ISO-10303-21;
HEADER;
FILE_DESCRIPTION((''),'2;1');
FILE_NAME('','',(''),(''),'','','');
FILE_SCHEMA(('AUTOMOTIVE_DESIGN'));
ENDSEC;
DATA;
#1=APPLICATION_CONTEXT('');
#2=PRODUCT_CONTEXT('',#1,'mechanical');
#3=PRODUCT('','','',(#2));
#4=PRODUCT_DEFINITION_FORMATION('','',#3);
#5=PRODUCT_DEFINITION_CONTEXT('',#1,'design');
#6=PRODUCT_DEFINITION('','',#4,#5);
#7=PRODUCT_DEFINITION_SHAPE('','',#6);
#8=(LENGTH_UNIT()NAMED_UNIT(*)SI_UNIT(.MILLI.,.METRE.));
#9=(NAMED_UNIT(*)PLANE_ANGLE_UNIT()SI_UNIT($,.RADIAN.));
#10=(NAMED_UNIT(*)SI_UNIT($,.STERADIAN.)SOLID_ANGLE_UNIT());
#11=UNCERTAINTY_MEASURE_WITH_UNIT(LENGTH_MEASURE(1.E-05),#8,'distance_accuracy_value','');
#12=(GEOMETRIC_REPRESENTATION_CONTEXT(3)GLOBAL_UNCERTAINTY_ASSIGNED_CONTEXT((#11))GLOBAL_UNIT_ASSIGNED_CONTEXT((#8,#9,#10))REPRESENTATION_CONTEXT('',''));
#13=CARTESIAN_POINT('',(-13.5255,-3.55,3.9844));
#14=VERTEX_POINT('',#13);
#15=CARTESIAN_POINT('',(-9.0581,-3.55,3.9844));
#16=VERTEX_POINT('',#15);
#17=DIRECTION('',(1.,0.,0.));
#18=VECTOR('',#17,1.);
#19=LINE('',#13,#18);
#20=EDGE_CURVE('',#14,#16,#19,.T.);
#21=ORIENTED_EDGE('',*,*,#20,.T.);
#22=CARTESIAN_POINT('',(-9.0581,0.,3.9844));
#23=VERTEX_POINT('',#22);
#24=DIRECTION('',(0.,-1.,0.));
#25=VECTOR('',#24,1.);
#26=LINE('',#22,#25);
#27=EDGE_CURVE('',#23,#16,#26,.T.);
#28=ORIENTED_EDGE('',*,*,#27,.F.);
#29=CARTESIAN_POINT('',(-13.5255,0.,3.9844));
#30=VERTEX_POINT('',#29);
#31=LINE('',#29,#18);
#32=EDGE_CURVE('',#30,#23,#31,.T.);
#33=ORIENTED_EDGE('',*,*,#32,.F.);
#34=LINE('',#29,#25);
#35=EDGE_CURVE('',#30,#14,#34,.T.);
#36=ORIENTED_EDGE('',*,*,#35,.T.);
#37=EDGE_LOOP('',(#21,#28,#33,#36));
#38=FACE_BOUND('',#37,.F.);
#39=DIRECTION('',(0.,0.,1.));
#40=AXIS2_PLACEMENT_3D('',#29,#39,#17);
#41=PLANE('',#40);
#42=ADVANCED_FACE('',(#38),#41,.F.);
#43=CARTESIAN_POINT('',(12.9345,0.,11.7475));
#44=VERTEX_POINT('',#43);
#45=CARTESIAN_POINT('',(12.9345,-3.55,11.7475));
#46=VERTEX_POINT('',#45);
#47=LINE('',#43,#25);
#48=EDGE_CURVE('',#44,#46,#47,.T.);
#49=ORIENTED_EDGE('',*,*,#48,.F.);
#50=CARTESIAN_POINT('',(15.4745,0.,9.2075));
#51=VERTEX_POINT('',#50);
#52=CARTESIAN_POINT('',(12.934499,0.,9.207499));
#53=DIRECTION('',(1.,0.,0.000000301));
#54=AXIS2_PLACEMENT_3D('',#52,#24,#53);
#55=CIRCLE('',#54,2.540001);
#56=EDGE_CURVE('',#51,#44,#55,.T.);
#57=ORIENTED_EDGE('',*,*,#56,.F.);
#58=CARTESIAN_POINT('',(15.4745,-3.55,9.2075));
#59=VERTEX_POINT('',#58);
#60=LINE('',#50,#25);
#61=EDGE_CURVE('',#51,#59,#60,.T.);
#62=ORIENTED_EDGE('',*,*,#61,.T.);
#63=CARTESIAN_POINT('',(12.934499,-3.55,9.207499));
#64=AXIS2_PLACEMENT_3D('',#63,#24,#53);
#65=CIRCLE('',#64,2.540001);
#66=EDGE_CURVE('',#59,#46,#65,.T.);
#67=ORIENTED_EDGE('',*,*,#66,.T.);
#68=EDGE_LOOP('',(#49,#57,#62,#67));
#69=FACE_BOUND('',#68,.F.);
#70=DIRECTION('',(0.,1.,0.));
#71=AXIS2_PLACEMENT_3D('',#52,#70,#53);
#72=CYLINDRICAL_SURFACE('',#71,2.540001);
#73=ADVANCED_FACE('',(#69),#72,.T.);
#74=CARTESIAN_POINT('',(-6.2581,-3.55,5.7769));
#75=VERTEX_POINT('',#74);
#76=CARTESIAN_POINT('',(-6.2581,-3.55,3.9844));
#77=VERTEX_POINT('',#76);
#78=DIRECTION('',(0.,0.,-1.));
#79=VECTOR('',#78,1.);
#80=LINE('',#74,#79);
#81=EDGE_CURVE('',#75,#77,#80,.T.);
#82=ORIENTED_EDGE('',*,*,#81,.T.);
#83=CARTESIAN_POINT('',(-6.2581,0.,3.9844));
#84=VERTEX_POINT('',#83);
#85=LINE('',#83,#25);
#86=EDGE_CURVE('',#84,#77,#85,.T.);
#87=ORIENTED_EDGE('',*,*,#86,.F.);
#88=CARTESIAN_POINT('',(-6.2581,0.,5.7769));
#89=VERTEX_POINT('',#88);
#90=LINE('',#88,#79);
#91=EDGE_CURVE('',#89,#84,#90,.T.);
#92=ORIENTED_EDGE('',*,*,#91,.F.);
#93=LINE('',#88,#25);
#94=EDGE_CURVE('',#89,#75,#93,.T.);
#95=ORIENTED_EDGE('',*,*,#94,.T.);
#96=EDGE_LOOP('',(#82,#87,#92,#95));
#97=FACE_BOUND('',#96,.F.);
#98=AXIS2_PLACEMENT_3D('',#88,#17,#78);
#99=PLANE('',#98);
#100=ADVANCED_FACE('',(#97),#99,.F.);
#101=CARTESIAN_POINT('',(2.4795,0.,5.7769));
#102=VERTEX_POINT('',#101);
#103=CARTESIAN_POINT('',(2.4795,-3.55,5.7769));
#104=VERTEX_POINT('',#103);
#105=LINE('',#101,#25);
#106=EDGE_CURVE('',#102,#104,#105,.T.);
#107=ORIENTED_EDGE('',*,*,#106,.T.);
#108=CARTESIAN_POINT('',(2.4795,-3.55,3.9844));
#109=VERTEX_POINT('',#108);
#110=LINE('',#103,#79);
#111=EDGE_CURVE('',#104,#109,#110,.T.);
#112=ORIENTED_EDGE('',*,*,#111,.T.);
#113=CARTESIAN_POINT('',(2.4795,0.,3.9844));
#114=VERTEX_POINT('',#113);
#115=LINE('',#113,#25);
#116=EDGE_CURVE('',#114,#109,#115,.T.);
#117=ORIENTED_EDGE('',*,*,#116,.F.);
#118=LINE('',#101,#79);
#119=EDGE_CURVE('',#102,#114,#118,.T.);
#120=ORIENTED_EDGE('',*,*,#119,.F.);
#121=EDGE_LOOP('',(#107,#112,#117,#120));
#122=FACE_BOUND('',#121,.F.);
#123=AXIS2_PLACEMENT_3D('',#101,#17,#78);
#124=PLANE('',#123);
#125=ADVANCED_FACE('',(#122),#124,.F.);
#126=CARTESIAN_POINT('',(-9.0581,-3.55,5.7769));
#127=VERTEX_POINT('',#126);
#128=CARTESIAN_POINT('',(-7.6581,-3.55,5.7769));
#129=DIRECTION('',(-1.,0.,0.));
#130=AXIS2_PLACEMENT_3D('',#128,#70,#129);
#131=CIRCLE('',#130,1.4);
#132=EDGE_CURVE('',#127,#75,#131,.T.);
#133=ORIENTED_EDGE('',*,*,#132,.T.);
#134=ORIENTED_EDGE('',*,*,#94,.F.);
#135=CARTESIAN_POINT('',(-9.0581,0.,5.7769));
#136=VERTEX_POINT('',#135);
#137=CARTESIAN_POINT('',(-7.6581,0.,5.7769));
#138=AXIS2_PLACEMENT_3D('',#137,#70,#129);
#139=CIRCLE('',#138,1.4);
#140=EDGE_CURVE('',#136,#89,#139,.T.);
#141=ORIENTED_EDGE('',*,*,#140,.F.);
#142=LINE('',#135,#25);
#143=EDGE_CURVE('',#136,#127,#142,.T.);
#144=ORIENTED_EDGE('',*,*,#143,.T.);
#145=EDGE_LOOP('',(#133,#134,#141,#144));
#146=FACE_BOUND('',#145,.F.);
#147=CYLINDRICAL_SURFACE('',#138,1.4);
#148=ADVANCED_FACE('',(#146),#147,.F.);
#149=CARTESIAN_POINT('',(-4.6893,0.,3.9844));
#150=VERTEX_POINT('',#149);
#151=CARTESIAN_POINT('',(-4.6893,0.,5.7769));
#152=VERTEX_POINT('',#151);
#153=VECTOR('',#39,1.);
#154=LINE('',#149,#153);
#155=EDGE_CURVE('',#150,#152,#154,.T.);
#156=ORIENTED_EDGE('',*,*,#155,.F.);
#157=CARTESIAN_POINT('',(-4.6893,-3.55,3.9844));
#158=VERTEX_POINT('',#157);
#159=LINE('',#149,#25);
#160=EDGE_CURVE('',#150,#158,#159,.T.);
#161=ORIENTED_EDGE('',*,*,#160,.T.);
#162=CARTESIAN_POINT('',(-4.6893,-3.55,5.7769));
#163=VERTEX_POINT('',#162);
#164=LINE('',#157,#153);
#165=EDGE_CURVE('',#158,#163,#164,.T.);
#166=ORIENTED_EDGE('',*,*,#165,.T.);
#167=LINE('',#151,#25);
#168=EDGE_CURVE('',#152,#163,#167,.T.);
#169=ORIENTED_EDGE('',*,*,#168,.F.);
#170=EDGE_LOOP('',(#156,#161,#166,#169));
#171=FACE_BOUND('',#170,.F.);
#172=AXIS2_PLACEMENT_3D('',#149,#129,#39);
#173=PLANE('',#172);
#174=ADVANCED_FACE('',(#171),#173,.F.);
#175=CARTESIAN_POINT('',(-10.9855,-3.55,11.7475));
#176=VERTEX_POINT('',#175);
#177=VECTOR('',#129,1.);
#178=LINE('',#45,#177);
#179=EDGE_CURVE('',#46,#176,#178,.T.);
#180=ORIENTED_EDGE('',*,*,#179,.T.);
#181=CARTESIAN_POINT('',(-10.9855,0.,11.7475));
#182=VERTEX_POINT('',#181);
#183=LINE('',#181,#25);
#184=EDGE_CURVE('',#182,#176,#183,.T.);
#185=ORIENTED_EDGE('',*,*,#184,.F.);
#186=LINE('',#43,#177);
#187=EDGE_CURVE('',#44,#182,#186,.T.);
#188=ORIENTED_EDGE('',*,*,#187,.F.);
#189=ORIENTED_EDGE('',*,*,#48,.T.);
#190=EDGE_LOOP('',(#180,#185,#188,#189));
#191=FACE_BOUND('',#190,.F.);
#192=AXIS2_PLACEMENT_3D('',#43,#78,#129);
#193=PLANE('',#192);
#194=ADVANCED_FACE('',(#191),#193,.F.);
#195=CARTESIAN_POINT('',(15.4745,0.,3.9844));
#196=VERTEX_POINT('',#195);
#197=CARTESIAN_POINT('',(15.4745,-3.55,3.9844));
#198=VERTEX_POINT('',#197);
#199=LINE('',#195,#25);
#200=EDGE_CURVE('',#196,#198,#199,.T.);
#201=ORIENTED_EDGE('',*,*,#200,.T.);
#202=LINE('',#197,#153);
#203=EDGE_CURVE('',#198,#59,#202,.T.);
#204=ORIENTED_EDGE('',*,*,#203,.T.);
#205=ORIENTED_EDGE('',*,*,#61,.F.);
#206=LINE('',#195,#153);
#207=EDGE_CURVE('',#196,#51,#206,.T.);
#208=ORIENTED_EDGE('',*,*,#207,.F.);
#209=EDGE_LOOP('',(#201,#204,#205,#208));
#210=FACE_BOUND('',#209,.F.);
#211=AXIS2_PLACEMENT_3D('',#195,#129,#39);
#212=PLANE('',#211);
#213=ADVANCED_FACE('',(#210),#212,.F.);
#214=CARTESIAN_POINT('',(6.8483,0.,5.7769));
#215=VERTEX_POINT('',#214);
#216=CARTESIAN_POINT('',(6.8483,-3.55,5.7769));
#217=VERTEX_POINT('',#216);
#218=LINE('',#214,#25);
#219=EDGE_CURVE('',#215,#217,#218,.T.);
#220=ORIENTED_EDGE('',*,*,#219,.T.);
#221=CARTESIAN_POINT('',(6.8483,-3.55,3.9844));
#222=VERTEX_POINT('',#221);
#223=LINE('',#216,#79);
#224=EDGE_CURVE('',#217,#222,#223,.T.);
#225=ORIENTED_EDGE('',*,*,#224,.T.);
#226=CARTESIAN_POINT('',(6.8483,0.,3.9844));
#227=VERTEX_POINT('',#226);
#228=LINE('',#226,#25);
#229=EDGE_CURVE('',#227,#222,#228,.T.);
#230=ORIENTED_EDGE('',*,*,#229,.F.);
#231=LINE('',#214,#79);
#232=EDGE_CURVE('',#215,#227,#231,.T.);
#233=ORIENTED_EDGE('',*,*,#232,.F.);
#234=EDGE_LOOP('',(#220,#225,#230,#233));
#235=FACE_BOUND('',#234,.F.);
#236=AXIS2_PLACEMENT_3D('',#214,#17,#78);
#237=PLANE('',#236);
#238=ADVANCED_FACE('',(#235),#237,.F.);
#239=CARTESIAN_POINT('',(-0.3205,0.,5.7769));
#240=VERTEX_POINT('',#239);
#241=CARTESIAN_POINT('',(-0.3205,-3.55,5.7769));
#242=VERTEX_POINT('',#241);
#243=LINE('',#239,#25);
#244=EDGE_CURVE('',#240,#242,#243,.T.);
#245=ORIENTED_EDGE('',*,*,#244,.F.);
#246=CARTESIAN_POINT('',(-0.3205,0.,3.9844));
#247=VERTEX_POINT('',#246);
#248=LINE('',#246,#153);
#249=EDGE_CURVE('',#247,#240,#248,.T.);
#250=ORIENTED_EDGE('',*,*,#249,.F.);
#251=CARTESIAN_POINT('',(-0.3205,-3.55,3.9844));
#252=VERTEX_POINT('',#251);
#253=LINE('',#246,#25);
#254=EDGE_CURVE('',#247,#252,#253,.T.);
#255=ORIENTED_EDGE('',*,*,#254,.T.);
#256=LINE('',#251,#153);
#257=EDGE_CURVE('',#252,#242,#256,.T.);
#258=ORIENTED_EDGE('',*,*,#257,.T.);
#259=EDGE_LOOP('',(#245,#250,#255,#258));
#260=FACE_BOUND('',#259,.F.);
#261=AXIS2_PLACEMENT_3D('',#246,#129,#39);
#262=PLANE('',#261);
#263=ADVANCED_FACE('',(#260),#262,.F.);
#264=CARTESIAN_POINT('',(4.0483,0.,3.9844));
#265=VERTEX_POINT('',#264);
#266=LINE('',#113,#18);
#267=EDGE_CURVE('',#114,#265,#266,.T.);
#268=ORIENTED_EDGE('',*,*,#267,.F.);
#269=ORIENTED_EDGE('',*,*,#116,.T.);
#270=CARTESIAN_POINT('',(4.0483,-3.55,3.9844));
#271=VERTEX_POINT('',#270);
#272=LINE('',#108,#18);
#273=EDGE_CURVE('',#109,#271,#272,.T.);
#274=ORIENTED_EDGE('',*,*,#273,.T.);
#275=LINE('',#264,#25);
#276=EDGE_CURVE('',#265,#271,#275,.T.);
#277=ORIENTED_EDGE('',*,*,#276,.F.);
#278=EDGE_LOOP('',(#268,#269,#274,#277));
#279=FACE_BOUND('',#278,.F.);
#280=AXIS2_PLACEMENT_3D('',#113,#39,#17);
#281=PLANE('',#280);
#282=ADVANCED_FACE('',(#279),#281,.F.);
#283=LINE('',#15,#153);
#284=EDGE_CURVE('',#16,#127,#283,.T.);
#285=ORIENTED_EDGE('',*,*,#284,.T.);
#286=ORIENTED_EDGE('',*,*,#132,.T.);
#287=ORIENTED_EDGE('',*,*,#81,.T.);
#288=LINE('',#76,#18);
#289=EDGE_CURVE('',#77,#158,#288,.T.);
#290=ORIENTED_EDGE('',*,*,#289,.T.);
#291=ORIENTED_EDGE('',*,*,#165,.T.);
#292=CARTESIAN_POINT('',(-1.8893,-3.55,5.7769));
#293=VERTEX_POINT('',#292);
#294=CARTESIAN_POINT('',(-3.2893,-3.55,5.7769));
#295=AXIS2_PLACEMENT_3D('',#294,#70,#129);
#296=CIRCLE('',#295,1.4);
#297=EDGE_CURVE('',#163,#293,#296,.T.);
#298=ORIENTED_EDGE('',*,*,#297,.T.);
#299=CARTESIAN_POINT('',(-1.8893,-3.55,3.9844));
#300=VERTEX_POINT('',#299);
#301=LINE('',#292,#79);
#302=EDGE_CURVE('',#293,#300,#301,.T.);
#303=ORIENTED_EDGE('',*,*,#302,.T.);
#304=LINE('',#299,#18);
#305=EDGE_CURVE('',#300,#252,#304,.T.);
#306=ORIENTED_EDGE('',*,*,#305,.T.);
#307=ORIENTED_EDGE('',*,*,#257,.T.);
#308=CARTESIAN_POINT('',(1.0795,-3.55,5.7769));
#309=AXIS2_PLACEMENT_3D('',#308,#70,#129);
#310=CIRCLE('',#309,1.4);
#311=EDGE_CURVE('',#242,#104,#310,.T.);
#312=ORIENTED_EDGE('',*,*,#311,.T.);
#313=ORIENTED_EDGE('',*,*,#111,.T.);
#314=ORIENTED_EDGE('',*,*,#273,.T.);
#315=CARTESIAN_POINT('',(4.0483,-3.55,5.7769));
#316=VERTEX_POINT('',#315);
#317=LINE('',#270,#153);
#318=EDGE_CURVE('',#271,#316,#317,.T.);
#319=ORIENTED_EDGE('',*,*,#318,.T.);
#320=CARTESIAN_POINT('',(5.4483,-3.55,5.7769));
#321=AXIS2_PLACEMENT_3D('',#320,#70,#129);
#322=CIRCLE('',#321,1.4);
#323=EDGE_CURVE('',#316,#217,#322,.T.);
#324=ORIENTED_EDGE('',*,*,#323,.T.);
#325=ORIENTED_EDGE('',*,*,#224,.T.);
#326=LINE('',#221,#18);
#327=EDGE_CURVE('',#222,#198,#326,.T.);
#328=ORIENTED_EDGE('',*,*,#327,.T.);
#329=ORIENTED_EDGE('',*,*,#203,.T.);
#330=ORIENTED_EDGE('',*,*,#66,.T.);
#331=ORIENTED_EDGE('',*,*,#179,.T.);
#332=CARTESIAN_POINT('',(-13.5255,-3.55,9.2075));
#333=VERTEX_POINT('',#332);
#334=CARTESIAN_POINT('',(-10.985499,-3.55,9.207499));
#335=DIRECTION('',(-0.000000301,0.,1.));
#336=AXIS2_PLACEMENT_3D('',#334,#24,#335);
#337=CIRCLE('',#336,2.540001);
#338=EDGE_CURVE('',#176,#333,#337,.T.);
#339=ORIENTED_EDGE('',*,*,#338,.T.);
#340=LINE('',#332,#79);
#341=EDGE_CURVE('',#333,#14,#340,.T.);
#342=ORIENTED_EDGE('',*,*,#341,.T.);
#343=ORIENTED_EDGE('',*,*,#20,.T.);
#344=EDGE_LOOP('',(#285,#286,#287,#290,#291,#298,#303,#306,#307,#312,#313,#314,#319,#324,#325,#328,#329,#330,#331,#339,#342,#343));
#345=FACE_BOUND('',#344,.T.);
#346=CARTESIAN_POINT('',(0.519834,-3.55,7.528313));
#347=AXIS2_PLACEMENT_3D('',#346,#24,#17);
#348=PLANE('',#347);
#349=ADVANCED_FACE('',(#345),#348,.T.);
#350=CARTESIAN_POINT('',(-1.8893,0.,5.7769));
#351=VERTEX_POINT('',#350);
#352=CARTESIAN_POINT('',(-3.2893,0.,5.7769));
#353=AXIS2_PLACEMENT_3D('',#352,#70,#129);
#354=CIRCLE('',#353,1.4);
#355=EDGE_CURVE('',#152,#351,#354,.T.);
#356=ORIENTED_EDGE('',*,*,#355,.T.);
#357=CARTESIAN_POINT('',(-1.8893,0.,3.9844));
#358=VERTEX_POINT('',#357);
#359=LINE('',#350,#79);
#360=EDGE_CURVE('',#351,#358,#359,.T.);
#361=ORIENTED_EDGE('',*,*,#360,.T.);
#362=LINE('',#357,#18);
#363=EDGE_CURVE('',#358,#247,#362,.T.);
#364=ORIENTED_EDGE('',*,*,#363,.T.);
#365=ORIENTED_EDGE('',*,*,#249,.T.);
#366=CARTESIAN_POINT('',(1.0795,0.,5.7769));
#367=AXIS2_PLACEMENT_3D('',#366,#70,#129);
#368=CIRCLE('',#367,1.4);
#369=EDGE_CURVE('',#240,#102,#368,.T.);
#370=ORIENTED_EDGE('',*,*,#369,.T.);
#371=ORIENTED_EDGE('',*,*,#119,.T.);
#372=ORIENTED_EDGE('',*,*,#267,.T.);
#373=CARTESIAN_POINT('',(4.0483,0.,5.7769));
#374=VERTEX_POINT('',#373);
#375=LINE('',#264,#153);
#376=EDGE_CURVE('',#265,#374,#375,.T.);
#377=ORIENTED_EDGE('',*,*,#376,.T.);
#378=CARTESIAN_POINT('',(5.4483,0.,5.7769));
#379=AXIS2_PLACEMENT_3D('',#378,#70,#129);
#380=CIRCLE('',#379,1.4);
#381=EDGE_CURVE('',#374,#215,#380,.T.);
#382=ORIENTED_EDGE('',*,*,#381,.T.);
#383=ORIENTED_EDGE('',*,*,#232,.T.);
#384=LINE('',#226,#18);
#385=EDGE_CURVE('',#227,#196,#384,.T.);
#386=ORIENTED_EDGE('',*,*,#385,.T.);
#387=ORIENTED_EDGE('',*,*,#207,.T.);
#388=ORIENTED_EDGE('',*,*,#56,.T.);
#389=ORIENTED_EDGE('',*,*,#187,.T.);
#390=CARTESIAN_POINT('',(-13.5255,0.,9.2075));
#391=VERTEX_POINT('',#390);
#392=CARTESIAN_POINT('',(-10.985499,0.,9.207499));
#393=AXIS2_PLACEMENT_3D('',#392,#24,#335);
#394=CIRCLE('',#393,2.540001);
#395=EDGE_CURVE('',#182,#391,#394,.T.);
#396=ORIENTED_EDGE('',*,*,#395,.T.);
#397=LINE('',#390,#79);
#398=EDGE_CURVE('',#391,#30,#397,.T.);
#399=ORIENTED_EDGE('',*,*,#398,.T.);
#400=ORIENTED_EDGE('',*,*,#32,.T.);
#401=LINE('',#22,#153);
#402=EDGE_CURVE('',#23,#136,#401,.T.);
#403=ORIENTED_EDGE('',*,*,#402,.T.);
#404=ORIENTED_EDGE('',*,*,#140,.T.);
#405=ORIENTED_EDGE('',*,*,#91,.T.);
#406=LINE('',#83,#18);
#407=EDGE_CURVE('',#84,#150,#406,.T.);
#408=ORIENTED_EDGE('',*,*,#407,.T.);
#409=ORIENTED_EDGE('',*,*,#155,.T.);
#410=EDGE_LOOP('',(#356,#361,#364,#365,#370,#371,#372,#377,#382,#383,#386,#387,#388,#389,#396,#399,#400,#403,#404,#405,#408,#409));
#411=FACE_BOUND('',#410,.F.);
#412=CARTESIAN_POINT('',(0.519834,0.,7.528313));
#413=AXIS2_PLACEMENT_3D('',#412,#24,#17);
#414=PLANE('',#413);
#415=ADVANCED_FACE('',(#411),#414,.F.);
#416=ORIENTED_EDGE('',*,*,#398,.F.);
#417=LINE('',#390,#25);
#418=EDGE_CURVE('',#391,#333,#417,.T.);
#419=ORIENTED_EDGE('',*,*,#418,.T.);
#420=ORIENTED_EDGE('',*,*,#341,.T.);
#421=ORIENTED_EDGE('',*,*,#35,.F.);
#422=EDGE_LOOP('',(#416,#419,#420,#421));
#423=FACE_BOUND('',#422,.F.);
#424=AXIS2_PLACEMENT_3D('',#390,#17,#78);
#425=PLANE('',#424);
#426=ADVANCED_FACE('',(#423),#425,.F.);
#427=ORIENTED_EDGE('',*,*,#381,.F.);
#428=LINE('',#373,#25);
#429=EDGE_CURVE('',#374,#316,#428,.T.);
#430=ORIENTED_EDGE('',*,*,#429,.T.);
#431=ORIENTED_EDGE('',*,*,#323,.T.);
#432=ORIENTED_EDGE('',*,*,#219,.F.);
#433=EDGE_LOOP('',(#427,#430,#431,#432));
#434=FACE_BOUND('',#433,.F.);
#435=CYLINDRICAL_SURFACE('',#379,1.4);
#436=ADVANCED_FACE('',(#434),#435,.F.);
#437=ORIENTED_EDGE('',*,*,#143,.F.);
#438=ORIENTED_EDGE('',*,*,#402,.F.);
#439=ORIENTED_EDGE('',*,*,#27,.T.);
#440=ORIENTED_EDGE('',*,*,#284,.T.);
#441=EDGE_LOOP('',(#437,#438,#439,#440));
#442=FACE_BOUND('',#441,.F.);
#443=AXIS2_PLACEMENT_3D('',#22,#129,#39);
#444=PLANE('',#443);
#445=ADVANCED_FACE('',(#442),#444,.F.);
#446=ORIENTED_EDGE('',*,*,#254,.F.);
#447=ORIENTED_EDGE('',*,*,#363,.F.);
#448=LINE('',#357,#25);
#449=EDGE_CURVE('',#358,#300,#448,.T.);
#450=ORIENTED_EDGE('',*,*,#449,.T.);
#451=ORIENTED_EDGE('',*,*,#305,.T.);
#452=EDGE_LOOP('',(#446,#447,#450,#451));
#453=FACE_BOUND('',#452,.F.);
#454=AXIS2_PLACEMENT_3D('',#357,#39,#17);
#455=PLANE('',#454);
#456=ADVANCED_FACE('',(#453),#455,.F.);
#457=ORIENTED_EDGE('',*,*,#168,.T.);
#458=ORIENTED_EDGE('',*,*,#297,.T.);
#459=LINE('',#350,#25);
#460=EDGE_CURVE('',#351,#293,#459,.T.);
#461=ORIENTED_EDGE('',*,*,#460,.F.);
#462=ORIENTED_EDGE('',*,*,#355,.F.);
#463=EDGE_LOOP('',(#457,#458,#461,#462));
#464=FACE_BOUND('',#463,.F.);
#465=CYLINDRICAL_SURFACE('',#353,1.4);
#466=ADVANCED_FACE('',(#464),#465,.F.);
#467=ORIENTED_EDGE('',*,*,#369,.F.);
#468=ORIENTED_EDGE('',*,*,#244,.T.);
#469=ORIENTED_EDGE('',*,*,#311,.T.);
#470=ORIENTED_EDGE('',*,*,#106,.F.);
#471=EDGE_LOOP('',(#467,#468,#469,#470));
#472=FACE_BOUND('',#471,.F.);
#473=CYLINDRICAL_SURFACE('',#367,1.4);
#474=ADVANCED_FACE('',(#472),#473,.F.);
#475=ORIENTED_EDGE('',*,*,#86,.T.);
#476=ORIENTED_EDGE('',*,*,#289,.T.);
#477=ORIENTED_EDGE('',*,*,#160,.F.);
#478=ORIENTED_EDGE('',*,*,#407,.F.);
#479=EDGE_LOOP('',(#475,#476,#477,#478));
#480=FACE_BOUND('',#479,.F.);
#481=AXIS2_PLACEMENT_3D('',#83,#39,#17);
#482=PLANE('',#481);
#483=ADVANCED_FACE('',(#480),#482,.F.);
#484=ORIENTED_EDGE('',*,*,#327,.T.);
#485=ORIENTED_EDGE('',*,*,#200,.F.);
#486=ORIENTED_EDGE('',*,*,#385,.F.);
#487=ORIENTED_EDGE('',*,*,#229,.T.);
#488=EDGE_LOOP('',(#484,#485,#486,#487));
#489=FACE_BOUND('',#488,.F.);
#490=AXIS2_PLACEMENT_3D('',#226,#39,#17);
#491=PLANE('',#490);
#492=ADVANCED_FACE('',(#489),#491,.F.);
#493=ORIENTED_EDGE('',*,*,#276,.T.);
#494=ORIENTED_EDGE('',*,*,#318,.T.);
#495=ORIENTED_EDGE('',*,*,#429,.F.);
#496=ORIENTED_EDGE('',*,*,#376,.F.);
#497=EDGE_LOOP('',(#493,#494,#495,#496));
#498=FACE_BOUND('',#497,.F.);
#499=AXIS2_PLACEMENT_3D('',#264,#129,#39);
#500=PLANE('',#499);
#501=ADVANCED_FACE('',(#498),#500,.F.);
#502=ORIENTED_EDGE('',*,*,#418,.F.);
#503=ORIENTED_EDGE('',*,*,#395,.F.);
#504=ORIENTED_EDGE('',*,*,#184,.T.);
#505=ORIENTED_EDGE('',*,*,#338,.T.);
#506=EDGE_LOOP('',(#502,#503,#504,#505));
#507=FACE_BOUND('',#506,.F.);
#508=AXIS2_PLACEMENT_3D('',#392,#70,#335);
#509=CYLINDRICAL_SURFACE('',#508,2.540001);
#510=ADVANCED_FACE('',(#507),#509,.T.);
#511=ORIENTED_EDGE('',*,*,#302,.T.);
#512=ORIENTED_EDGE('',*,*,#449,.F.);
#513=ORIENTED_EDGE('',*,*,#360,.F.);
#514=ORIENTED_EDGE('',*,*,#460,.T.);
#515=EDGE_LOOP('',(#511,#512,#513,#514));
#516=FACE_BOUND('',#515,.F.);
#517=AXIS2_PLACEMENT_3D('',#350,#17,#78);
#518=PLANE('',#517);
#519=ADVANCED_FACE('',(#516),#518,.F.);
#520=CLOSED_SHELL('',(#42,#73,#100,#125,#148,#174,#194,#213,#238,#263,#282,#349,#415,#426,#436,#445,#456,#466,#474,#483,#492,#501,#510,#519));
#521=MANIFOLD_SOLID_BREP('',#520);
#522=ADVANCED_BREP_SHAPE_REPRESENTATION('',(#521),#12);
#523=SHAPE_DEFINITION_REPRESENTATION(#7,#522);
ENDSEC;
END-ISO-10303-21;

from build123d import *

# Parameters (mm, degrees)
F1_DEPTH = 3.55


with BuildPart() as f1:
    # F0 (on Front) → F1 (new body)
    with BuildSketch(Plane.XZ):
        with BuildLine():
            Line((12.9345, 11.7475), (-10.9855, 11.7475))
            ThreePointArc((-10.9855, 11.7475), (-12.781551, 11.003551), (-13.5255, 9.2075))
            Line((-13.5255, 9.2075), (-13.5255, 3.9844))
            Line((-13.5255, 3.9844), (-9.0581, 3.9844))
            Line((-9.0581, 3.9844), (-9.0581, 5.7769))
            ThreePointArc((-9.0581, 5.7769), (-7.6581, 7.1769), (-6.2581, 5.7769))
            Line((-6.2581, 5.7769), (-6.2581, 3.9844))
            Line((-6.2581, 3.9844), (-4.6893, 3.9844))
            Line((-4.6893, 3.9844), (-4.6893, 5.7769))
            ThreePointArc((-4.6893, 5.7769), (-3.2893, 7.1769), (-1.8893, 5.7769))
            Line((-1.8893, 5.7769), (-1.8893, 3.9844))
            Line((-1.8893, 3.9844), (-0.3205, 3.9844))
            Line((-0.3205, 3.9844), (-0.3205, 5.7769))
            ThreePointArc((-0.3205, 5.7769), (1.0795, 7.1769), (2.4795, 5.7769))
            Line((2.4795, 5.7769), (2.4795, 3.9844))
            Line((2.4795, 3.9844), (4.0483, 3.9844))
            Line((4.0483, 3.9844), (4.0483, 5.7769))
            ThreePointArc((4.0483, 5.7769), (5.4483, 7.1769), (6.8483, 5.7769))
            Line((6.8483, 5.7769), (6.8483, 3.9844))
            Line((6.8483, 3.9844), (15.4745, 3.9844))
            Line((15.4745, 3.9844), (15.4745, 9.2075))
            ThreePointArc((15.4745, 9.2075), (14.730551, 11.003551), (12.9345, 11.7475))
        make_face()
    extrude(amount=F1_DEPTH)


solid = f1.part
